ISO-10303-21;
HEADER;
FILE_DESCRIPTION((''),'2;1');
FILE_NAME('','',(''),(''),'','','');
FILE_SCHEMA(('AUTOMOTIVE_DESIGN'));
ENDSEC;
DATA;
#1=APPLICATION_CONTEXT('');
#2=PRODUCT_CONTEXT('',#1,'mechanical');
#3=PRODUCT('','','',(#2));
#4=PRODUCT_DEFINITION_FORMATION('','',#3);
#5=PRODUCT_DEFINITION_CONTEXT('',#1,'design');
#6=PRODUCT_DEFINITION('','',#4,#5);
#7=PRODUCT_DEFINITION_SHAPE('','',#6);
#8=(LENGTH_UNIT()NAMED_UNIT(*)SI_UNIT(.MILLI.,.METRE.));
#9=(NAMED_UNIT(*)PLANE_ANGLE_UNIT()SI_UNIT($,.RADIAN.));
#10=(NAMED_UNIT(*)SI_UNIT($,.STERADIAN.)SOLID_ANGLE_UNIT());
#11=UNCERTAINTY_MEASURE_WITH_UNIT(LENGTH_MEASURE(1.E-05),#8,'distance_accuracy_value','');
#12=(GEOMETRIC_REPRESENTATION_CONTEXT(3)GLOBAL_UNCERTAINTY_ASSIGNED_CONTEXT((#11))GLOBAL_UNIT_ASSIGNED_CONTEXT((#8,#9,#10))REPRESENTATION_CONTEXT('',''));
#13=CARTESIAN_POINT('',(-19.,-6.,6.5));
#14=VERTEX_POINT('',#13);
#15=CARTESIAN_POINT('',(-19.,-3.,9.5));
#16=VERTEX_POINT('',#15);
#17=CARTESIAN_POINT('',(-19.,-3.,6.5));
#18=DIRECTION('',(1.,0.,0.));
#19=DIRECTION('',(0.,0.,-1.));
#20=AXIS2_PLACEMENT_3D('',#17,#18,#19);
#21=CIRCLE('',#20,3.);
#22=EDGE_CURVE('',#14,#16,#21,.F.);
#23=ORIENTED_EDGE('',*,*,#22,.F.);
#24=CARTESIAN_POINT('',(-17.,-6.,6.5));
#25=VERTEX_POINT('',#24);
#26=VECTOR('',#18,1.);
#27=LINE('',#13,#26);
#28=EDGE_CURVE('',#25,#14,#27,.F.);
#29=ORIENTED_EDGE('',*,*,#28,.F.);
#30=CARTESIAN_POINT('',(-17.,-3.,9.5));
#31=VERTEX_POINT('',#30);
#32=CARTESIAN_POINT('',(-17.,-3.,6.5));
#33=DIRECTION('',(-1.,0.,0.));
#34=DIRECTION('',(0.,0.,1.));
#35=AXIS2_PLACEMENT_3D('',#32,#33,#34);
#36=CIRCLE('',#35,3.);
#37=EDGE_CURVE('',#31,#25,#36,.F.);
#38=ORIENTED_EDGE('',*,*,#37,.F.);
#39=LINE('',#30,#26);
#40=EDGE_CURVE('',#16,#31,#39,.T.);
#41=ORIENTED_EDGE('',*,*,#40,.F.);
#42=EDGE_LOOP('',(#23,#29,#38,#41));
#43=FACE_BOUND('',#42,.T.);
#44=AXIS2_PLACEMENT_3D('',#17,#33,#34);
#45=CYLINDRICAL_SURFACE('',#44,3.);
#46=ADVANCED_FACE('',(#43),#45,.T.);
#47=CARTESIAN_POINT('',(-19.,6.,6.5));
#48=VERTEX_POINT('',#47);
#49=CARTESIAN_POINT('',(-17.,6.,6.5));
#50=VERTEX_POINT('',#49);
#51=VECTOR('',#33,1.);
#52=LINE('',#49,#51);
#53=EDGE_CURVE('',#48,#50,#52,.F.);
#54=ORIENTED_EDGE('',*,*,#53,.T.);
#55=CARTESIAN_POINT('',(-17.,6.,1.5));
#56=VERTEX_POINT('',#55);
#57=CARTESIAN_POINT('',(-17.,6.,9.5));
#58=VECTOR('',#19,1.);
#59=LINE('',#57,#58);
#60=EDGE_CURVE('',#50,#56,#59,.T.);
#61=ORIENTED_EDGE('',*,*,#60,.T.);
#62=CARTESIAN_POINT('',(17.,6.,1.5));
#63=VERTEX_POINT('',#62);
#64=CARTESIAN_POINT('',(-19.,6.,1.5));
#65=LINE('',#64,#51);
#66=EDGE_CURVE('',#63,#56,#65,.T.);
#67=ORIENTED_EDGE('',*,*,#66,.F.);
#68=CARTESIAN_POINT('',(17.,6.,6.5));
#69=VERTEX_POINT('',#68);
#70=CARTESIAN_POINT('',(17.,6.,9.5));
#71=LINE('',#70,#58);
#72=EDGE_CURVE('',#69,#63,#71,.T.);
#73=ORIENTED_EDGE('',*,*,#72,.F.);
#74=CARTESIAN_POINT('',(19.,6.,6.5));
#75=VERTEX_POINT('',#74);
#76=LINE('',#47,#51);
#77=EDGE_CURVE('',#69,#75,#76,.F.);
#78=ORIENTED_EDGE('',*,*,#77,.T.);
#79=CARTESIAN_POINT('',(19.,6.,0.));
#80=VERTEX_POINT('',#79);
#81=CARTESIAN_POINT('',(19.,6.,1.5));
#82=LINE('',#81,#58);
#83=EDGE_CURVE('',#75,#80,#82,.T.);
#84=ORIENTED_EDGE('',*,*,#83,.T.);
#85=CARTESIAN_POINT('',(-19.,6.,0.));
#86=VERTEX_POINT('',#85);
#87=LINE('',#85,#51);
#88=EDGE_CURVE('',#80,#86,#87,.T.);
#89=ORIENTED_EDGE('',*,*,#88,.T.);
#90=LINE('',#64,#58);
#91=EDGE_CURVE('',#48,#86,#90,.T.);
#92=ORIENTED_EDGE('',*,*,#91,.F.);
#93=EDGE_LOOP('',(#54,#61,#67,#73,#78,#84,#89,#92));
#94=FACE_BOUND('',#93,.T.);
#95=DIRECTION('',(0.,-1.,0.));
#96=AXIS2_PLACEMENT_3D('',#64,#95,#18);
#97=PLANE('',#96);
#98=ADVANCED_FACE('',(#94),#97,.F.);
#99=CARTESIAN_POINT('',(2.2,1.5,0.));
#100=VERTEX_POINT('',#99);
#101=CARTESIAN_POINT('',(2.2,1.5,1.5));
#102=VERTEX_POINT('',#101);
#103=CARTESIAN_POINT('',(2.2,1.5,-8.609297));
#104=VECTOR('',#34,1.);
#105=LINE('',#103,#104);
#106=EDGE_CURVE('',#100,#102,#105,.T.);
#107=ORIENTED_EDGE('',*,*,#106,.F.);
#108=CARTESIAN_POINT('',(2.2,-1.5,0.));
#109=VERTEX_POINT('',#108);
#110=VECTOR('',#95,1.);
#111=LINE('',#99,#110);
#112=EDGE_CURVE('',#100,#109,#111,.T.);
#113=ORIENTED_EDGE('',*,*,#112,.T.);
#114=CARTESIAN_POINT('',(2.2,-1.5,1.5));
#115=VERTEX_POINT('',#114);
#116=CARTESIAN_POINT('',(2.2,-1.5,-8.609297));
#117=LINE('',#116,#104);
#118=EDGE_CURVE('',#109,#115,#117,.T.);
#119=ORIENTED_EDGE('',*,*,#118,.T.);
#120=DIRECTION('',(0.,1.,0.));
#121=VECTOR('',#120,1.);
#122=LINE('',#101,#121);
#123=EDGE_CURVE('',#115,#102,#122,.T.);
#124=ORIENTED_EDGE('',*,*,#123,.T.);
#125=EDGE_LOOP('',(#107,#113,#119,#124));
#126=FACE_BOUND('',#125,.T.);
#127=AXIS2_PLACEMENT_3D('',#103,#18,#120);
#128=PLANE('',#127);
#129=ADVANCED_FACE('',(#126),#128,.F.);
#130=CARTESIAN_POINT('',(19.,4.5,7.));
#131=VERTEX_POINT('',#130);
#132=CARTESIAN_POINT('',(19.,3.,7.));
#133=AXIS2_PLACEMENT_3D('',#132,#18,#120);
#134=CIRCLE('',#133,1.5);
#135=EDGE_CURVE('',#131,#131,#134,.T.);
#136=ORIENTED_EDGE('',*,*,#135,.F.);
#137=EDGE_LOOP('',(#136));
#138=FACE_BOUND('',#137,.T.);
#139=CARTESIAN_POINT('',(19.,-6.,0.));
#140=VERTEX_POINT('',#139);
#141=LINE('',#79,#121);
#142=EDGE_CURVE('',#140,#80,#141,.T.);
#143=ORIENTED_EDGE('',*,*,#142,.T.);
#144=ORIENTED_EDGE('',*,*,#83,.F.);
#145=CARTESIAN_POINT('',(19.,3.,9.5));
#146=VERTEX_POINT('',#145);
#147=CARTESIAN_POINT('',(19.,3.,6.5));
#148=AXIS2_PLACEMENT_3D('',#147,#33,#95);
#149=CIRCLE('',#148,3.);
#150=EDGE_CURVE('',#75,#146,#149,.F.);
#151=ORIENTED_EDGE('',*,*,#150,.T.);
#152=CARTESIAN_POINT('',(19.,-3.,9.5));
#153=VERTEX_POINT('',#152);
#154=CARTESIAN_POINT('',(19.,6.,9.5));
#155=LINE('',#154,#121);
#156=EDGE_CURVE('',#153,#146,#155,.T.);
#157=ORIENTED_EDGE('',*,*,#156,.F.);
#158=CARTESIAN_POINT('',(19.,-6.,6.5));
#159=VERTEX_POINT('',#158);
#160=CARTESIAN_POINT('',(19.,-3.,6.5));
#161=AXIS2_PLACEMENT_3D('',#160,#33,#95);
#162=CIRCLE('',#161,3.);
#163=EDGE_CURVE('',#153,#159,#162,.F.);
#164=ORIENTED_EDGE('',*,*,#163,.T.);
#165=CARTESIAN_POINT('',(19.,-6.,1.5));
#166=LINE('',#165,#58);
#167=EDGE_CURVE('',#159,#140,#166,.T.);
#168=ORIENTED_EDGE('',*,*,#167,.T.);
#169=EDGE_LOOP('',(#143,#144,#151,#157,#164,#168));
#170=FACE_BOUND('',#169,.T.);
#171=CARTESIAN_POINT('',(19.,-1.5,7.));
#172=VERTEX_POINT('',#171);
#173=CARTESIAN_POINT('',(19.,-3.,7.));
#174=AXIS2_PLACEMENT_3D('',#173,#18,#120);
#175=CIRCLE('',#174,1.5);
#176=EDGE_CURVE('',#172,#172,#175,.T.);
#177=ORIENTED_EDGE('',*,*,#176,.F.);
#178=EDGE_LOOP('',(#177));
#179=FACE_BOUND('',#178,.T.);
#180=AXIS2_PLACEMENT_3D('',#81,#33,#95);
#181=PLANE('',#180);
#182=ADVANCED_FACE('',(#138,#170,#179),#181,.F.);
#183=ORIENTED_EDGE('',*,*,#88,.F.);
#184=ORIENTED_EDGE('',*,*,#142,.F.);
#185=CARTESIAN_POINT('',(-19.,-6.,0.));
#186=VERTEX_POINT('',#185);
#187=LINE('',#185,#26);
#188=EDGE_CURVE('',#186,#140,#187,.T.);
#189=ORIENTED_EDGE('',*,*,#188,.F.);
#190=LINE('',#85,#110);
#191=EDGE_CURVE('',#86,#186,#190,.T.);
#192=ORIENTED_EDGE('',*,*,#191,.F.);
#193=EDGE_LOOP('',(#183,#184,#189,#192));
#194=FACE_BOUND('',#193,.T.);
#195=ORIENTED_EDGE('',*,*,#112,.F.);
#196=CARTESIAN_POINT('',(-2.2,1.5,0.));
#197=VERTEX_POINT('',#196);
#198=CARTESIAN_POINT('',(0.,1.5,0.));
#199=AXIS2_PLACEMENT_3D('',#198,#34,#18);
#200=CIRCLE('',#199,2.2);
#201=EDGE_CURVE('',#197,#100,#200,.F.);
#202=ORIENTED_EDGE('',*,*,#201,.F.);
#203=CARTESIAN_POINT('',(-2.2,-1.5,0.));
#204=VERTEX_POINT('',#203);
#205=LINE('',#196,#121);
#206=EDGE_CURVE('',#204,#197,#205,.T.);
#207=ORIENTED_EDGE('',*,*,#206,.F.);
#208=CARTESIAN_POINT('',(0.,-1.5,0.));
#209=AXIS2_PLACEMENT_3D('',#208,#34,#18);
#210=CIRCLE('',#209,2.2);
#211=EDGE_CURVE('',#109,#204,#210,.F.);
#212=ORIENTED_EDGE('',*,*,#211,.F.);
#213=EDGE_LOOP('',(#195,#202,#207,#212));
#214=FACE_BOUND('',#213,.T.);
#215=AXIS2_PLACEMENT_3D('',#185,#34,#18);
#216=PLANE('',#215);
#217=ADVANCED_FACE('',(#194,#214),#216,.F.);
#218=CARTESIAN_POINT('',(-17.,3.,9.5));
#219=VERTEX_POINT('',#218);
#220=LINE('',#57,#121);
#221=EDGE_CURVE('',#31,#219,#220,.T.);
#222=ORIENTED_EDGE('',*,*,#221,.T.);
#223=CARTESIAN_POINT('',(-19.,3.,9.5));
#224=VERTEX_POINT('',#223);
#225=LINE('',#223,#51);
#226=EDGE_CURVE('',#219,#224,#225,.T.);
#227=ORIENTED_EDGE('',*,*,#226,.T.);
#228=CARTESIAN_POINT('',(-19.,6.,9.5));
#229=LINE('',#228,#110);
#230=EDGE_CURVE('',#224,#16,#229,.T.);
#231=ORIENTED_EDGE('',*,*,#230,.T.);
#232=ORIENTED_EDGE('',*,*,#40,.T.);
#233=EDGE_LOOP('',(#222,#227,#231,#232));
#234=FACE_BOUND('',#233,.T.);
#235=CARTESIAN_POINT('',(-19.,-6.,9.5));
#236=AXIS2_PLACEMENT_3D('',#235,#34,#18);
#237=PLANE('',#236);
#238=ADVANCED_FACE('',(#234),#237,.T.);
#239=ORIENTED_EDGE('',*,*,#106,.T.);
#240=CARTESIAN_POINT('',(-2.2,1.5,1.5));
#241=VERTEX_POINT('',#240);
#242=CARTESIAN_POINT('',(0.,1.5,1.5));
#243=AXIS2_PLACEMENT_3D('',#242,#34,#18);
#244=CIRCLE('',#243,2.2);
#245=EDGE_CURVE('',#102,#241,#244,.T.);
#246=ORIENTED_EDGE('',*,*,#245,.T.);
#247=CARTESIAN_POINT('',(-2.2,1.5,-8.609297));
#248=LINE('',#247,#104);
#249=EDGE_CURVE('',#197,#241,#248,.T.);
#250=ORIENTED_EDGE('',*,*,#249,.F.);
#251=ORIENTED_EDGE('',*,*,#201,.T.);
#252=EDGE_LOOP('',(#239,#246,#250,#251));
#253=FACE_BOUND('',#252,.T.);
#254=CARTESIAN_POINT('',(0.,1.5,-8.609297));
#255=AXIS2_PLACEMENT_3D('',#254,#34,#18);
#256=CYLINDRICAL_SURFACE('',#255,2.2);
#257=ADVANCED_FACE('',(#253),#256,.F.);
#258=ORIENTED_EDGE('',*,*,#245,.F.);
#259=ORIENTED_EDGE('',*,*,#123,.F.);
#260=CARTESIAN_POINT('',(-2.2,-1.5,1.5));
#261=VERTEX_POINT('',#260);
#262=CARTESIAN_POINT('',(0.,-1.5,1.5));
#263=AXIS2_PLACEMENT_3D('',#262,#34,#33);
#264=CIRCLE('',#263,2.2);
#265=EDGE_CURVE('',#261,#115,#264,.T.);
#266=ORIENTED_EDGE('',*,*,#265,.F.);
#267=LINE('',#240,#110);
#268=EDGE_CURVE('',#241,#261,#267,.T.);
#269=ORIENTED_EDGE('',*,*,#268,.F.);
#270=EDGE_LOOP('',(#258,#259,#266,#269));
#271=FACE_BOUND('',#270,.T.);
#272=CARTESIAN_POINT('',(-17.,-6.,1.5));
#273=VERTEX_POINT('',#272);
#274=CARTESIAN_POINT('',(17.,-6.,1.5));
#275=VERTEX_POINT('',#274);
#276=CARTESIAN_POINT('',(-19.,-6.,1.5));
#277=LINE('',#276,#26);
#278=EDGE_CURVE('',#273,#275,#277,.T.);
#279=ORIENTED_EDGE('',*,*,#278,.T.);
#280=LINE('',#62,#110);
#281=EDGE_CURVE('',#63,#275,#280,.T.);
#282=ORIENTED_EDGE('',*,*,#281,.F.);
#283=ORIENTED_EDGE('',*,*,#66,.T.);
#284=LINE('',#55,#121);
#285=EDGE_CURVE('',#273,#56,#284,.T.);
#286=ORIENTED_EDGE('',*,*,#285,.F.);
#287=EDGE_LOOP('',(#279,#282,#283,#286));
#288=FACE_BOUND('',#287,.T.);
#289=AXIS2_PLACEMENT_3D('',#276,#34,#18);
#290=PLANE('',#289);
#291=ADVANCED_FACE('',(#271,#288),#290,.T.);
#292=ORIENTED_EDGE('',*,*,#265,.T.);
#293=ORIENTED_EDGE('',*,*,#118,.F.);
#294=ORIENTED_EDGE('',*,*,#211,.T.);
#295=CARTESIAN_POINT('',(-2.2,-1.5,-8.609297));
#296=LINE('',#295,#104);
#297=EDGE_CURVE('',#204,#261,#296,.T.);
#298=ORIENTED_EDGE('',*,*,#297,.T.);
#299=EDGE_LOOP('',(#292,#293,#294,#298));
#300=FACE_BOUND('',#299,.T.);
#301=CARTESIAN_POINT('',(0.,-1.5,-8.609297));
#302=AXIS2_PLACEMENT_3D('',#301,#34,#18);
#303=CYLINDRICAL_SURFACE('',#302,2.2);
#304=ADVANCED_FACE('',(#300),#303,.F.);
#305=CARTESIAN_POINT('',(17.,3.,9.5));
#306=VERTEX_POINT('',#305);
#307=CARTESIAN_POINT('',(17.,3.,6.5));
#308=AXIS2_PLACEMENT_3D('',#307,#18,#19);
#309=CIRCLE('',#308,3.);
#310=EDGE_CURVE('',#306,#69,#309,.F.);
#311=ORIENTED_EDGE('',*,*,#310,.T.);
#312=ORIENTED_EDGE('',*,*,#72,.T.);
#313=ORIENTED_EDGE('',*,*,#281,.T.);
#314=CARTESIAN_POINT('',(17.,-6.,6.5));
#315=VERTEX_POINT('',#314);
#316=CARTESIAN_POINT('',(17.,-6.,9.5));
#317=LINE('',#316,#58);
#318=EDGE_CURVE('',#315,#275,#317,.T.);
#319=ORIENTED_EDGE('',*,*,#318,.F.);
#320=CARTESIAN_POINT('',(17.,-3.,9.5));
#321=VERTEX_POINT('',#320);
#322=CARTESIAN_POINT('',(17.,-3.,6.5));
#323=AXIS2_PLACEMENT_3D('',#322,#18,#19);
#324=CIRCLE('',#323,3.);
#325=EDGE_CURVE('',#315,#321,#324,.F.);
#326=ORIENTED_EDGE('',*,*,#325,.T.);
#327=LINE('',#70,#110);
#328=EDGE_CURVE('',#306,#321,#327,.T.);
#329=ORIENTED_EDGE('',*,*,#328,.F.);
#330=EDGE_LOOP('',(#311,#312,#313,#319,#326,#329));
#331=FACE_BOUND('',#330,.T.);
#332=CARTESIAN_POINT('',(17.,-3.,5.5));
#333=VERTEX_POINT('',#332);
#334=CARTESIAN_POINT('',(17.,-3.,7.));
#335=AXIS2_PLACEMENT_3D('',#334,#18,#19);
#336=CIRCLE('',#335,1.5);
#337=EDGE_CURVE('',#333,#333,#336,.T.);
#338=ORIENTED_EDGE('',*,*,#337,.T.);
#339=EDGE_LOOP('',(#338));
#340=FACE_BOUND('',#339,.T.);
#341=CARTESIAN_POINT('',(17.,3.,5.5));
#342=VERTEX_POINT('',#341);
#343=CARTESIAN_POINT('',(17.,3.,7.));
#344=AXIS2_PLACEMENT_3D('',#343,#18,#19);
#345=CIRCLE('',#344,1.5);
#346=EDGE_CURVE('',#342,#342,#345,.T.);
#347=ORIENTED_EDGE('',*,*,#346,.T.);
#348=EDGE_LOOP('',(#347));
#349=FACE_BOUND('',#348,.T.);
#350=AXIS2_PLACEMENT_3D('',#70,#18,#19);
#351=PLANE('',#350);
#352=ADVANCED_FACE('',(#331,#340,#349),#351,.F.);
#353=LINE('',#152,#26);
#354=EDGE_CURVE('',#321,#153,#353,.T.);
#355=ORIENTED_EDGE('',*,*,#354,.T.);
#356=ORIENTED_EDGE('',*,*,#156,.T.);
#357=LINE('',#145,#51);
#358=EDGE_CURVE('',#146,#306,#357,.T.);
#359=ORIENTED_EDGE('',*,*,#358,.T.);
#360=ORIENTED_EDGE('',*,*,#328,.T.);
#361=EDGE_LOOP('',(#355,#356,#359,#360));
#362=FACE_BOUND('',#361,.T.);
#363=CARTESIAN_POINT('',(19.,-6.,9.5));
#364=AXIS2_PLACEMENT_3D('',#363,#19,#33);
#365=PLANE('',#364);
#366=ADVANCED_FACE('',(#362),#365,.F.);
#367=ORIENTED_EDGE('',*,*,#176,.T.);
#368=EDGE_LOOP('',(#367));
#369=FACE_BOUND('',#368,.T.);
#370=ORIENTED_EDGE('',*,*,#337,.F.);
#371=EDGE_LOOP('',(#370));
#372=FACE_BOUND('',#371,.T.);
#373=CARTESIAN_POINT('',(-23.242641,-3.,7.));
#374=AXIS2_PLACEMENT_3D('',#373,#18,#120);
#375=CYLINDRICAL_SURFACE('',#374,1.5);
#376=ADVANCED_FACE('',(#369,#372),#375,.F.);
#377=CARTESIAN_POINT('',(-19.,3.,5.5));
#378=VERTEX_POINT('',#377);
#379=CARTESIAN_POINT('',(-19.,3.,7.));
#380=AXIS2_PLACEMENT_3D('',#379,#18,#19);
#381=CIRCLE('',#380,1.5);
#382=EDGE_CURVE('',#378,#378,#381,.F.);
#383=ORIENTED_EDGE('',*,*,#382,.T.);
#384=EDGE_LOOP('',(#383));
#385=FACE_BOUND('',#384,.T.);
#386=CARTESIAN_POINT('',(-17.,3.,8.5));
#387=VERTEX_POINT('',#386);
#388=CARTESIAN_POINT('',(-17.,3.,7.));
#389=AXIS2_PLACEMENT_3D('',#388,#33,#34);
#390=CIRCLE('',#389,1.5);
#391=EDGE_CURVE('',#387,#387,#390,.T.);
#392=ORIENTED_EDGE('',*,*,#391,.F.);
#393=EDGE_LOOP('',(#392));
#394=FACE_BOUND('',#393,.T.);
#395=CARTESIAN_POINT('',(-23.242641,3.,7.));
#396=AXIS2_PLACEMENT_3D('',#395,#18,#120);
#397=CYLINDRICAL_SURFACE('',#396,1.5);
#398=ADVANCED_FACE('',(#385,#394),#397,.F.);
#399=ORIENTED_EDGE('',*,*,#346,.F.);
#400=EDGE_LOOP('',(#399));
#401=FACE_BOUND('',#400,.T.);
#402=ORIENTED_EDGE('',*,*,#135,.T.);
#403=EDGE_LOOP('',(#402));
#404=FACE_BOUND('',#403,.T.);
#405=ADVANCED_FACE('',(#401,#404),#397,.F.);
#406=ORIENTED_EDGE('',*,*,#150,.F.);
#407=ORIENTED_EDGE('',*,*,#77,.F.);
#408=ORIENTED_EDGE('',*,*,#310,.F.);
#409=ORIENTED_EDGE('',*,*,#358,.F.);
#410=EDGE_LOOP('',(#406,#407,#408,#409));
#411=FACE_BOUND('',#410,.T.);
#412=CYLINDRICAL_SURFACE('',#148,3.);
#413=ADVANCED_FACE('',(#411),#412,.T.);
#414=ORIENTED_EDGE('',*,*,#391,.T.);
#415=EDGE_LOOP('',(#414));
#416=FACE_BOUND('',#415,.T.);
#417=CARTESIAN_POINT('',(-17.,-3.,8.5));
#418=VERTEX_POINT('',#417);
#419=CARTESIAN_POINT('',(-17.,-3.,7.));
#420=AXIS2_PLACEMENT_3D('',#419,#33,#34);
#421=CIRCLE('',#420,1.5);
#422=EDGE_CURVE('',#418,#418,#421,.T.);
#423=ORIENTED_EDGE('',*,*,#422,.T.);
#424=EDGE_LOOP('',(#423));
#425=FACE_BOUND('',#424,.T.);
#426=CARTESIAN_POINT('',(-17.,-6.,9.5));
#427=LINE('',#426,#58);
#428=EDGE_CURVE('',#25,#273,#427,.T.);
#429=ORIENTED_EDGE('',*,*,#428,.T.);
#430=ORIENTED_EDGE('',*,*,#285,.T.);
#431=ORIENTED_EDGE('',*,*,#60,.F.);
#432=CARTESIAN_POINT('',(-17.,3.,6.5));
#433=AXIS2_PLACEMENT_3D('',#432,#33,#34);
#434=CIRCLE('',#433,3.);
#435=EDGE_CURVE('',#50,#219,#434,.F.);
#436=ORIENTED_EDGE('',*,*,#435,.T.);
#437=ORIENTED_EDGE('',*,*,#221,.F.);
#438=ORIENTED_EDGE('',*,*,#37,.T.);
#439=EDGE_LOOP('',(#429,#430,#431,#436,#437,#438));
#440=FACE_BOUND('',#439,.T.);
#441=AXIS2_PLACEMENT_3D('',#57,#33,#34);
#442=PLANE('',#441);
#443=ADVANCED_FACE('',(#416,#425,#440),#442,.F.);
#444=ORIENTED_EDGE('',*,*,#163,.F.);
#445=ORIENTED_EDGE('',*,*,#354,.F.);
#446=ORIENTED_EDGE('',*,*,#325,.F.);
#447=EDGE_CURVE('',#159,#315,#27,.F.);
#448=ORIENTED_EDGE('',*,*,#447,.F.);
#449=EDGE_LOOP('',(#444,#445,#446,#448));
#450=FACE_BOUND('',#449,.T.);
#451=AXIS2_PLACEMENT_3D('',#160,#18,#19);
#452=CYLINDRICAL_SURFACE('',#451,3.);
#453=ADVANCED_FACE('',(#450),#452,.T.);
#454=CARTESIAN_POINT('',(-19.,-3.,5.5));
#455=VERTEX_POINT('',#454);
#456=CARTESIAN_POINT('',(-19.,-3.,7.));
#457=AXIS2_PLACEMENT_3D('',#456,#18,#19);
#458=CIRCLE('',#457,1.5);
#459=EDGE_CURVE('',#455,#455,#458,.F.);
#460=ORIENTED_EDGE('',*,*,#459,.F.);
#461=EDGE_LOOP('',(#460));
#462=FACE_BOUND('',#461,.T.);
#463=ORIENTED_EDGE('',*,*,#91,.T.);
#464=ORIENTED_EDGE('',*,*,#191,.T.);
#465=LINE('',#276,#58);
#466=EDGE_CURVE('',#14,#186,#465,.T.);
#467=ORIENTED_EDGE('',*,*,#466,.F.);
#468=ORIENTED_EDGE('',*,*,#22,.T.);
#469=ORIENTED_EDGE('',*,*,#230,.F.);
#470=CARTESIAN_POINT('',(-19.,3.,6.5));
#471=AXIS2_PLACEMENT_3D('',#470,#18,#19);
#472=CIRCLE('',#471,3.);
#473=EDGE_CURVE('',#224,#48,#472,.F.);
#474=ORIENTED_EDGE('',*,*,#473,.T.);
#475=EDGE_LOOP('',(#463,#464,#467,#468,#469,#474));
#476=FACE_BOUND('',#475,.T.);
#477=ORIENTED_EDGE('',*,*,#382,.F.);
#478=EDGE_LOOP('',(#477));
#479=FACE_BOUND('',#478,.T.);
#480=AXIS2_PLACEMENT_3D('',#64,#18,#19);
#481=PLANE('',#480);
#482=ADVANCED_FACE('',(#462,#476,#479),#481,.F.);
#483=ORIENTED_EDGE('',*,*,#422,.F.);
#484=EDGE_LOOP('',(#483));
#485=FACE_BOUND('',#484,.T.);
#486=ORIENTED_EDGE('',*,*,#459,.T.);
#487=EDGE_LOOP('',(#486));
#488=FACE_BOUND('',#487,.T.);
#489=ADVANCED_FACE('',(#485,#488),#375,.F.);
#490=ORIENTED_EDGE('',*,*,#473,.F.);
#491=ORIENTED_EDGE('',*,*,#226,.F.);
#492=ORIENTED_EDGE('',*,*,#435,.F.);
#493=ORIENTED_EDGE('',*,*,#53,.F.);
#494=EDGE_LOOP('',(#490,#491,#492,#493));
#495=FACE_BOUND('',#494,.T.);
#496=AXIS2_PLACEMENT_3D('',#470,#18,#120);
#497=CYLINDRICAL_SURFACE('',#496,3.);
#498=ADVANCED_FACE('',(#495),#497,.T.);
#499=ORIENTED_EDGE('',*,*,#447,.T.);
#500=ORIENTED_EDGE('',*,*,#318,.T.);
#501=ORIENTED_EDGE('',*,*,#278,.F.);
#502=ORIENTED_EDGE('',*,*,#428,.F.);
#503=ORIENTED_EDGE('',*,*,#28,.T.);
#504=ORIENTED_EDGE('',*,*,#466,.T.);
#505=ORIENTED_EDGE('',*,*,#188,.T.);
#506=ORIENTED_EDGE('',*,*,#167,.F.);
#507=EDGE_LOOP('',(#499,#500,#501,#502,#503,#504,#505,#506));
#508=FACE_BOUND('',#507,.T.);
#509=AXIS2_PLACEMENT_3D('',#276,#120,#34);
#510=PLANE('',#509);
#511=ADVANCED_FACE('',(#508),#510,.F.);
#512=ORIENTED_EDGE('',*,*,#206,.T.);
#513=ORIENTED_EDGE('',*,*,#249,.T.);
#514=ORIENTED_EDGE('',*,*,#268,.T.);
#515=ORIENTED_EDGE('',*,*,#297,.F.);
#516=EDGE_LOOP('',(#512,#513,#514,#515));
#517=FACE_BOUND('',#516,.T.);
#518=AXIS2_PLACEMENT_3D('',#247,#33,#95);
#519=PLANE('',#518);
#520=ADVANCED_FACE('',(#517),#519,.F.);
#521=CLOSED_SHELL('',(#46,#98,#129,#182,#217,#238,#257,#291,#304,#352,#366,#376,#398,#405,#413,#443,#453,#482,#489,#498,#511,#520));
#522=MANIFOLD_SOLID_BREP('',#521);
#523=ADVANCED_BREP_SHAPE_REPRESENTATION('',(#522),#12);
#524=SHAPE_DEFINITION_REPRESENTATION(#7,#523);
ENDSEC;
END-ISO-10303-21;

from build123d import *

# Parameters (mm, degrees)
SKETCH1_W      = 38
SKETCH1_H      = 12
EXTRUDE1_DEPTH = 1.5
SKETCH2_W      = 2
SKETCH2_H      = 12
EXTRUDE2_DEPTH = 8
EXTRUDE3_REACH = 41.626
SKETCH3_R      = 1.5
FILLET1_R      = 3
EXTRUDE4_DEPTH = 1.5


with BuildPart() as part:
    # Sketch1 → Extrude1 (new body)
    with BuildSketch(Plane.XY):
        Rectangle(SKETCH1_W, SKETCH1_H)
    extrude(amount=EXTRUDE1_DEPTH)

    # Sketch2 → Extrude2 (add)
    with BuildSketch(Plane.XY.offset(1.5)):
        with Locations((-18, 0)):
            Rectangle(SKETCH2_W, SKETCH2_H)
        with Locations((18, 0)):
            Rectangle(SKETCH2_W, SKETCH2_H)
    extrude(amount=EXTRUDE2_DEPTH)

    # Extrude3: up to this face of the body (flat: up to its plane)
    extrude3_end = Plane(part.part.faces().sort_by_distance((-19, 0, 4.75))[0])
    # Sketch3 → Extrude3 (cut, up to the picked face)
    with BuildSketch(Plane(origin=(19, 0, 0), x_dir=(0, 0, -1), z_dir=(1, 0, 0)), mode=Mode.PRIVATE) as extrude3_sk1:
        with Locations(Location((-7, 3, 0), (0, 0, 90))):
            Circle(SKETCH3_R)
    extrude3_tool1 = split(extrude(extrude3_sk1.sketch, amount=-EXTRUDE3_REACH, mode=Mode.PRIVATE), bisect_by=extrude3_end, keep=Keep.BOTH, mode=Mode.PRIVATE)
    # Sketch3 → Extrude3 (cut, up to the picked face)
    with BuildSketch(Plane(origin=(19, 0, 0), x_dir=(0, 0, -1), z_dir=(1, 0, 0)), mode=Mode.PRIVATE) as extrude3_sk2:
        with Locations(Location((-7, -3, 0), (0, 0, 90))):
            Circle(SKETCH3_R)
    extrude3_tool2 = split(extrude(extrude3_sk2.sketch, amount=-EXTRUDE3_REACH, mode=Mode.PRIVATE), bisect_by=extrude3_end, keep=Keep.BOTH, mode=Mode.PRIVATE)
    add(extrude3_tool1.solids().sort_by(Axis((19, 3, 7), (-1, 0, 0)))[0], mode=Mode.SUBTRACT)
    add(extrude3_tool2.solids().sort_by(Axis((19, -3, 7), (-1, 0, 0)))[0], mode=Mode.SUBTRACT)

    # Fillet1
    fillet1_edges = [part.edges().sort_by_distance(p)[0] for p in [
        (18, 6, 9.5),
        (18, -6, 9.5),
        (-18, -6, 9.5),
        (-18, 6, 9.5),
    ]]
    fillet(fillet1_edges, radius=FILLET1_R)

    # Sketch4 → Extrude4 (cut)
    with BuildSketch(Plane.XY.offset(1.5)):
        with BuildLine():
            Line((-2.2, 1.5), (-2.2, -1.5))
            ThreePointArc((-2.2, -1.5), (0, -3.7), (2.2, -1.5))
            Line((2.2, -1.5), (2.2, 1.5))
            ThreePointArc((2.2, 1.5), (0, 3.7), (-2.2, 1.5))
        make_face()
    extrude(amount=-EXTRUDE4_DEPTH, mode=Mode.SUBTRACT)


solid = part.part
